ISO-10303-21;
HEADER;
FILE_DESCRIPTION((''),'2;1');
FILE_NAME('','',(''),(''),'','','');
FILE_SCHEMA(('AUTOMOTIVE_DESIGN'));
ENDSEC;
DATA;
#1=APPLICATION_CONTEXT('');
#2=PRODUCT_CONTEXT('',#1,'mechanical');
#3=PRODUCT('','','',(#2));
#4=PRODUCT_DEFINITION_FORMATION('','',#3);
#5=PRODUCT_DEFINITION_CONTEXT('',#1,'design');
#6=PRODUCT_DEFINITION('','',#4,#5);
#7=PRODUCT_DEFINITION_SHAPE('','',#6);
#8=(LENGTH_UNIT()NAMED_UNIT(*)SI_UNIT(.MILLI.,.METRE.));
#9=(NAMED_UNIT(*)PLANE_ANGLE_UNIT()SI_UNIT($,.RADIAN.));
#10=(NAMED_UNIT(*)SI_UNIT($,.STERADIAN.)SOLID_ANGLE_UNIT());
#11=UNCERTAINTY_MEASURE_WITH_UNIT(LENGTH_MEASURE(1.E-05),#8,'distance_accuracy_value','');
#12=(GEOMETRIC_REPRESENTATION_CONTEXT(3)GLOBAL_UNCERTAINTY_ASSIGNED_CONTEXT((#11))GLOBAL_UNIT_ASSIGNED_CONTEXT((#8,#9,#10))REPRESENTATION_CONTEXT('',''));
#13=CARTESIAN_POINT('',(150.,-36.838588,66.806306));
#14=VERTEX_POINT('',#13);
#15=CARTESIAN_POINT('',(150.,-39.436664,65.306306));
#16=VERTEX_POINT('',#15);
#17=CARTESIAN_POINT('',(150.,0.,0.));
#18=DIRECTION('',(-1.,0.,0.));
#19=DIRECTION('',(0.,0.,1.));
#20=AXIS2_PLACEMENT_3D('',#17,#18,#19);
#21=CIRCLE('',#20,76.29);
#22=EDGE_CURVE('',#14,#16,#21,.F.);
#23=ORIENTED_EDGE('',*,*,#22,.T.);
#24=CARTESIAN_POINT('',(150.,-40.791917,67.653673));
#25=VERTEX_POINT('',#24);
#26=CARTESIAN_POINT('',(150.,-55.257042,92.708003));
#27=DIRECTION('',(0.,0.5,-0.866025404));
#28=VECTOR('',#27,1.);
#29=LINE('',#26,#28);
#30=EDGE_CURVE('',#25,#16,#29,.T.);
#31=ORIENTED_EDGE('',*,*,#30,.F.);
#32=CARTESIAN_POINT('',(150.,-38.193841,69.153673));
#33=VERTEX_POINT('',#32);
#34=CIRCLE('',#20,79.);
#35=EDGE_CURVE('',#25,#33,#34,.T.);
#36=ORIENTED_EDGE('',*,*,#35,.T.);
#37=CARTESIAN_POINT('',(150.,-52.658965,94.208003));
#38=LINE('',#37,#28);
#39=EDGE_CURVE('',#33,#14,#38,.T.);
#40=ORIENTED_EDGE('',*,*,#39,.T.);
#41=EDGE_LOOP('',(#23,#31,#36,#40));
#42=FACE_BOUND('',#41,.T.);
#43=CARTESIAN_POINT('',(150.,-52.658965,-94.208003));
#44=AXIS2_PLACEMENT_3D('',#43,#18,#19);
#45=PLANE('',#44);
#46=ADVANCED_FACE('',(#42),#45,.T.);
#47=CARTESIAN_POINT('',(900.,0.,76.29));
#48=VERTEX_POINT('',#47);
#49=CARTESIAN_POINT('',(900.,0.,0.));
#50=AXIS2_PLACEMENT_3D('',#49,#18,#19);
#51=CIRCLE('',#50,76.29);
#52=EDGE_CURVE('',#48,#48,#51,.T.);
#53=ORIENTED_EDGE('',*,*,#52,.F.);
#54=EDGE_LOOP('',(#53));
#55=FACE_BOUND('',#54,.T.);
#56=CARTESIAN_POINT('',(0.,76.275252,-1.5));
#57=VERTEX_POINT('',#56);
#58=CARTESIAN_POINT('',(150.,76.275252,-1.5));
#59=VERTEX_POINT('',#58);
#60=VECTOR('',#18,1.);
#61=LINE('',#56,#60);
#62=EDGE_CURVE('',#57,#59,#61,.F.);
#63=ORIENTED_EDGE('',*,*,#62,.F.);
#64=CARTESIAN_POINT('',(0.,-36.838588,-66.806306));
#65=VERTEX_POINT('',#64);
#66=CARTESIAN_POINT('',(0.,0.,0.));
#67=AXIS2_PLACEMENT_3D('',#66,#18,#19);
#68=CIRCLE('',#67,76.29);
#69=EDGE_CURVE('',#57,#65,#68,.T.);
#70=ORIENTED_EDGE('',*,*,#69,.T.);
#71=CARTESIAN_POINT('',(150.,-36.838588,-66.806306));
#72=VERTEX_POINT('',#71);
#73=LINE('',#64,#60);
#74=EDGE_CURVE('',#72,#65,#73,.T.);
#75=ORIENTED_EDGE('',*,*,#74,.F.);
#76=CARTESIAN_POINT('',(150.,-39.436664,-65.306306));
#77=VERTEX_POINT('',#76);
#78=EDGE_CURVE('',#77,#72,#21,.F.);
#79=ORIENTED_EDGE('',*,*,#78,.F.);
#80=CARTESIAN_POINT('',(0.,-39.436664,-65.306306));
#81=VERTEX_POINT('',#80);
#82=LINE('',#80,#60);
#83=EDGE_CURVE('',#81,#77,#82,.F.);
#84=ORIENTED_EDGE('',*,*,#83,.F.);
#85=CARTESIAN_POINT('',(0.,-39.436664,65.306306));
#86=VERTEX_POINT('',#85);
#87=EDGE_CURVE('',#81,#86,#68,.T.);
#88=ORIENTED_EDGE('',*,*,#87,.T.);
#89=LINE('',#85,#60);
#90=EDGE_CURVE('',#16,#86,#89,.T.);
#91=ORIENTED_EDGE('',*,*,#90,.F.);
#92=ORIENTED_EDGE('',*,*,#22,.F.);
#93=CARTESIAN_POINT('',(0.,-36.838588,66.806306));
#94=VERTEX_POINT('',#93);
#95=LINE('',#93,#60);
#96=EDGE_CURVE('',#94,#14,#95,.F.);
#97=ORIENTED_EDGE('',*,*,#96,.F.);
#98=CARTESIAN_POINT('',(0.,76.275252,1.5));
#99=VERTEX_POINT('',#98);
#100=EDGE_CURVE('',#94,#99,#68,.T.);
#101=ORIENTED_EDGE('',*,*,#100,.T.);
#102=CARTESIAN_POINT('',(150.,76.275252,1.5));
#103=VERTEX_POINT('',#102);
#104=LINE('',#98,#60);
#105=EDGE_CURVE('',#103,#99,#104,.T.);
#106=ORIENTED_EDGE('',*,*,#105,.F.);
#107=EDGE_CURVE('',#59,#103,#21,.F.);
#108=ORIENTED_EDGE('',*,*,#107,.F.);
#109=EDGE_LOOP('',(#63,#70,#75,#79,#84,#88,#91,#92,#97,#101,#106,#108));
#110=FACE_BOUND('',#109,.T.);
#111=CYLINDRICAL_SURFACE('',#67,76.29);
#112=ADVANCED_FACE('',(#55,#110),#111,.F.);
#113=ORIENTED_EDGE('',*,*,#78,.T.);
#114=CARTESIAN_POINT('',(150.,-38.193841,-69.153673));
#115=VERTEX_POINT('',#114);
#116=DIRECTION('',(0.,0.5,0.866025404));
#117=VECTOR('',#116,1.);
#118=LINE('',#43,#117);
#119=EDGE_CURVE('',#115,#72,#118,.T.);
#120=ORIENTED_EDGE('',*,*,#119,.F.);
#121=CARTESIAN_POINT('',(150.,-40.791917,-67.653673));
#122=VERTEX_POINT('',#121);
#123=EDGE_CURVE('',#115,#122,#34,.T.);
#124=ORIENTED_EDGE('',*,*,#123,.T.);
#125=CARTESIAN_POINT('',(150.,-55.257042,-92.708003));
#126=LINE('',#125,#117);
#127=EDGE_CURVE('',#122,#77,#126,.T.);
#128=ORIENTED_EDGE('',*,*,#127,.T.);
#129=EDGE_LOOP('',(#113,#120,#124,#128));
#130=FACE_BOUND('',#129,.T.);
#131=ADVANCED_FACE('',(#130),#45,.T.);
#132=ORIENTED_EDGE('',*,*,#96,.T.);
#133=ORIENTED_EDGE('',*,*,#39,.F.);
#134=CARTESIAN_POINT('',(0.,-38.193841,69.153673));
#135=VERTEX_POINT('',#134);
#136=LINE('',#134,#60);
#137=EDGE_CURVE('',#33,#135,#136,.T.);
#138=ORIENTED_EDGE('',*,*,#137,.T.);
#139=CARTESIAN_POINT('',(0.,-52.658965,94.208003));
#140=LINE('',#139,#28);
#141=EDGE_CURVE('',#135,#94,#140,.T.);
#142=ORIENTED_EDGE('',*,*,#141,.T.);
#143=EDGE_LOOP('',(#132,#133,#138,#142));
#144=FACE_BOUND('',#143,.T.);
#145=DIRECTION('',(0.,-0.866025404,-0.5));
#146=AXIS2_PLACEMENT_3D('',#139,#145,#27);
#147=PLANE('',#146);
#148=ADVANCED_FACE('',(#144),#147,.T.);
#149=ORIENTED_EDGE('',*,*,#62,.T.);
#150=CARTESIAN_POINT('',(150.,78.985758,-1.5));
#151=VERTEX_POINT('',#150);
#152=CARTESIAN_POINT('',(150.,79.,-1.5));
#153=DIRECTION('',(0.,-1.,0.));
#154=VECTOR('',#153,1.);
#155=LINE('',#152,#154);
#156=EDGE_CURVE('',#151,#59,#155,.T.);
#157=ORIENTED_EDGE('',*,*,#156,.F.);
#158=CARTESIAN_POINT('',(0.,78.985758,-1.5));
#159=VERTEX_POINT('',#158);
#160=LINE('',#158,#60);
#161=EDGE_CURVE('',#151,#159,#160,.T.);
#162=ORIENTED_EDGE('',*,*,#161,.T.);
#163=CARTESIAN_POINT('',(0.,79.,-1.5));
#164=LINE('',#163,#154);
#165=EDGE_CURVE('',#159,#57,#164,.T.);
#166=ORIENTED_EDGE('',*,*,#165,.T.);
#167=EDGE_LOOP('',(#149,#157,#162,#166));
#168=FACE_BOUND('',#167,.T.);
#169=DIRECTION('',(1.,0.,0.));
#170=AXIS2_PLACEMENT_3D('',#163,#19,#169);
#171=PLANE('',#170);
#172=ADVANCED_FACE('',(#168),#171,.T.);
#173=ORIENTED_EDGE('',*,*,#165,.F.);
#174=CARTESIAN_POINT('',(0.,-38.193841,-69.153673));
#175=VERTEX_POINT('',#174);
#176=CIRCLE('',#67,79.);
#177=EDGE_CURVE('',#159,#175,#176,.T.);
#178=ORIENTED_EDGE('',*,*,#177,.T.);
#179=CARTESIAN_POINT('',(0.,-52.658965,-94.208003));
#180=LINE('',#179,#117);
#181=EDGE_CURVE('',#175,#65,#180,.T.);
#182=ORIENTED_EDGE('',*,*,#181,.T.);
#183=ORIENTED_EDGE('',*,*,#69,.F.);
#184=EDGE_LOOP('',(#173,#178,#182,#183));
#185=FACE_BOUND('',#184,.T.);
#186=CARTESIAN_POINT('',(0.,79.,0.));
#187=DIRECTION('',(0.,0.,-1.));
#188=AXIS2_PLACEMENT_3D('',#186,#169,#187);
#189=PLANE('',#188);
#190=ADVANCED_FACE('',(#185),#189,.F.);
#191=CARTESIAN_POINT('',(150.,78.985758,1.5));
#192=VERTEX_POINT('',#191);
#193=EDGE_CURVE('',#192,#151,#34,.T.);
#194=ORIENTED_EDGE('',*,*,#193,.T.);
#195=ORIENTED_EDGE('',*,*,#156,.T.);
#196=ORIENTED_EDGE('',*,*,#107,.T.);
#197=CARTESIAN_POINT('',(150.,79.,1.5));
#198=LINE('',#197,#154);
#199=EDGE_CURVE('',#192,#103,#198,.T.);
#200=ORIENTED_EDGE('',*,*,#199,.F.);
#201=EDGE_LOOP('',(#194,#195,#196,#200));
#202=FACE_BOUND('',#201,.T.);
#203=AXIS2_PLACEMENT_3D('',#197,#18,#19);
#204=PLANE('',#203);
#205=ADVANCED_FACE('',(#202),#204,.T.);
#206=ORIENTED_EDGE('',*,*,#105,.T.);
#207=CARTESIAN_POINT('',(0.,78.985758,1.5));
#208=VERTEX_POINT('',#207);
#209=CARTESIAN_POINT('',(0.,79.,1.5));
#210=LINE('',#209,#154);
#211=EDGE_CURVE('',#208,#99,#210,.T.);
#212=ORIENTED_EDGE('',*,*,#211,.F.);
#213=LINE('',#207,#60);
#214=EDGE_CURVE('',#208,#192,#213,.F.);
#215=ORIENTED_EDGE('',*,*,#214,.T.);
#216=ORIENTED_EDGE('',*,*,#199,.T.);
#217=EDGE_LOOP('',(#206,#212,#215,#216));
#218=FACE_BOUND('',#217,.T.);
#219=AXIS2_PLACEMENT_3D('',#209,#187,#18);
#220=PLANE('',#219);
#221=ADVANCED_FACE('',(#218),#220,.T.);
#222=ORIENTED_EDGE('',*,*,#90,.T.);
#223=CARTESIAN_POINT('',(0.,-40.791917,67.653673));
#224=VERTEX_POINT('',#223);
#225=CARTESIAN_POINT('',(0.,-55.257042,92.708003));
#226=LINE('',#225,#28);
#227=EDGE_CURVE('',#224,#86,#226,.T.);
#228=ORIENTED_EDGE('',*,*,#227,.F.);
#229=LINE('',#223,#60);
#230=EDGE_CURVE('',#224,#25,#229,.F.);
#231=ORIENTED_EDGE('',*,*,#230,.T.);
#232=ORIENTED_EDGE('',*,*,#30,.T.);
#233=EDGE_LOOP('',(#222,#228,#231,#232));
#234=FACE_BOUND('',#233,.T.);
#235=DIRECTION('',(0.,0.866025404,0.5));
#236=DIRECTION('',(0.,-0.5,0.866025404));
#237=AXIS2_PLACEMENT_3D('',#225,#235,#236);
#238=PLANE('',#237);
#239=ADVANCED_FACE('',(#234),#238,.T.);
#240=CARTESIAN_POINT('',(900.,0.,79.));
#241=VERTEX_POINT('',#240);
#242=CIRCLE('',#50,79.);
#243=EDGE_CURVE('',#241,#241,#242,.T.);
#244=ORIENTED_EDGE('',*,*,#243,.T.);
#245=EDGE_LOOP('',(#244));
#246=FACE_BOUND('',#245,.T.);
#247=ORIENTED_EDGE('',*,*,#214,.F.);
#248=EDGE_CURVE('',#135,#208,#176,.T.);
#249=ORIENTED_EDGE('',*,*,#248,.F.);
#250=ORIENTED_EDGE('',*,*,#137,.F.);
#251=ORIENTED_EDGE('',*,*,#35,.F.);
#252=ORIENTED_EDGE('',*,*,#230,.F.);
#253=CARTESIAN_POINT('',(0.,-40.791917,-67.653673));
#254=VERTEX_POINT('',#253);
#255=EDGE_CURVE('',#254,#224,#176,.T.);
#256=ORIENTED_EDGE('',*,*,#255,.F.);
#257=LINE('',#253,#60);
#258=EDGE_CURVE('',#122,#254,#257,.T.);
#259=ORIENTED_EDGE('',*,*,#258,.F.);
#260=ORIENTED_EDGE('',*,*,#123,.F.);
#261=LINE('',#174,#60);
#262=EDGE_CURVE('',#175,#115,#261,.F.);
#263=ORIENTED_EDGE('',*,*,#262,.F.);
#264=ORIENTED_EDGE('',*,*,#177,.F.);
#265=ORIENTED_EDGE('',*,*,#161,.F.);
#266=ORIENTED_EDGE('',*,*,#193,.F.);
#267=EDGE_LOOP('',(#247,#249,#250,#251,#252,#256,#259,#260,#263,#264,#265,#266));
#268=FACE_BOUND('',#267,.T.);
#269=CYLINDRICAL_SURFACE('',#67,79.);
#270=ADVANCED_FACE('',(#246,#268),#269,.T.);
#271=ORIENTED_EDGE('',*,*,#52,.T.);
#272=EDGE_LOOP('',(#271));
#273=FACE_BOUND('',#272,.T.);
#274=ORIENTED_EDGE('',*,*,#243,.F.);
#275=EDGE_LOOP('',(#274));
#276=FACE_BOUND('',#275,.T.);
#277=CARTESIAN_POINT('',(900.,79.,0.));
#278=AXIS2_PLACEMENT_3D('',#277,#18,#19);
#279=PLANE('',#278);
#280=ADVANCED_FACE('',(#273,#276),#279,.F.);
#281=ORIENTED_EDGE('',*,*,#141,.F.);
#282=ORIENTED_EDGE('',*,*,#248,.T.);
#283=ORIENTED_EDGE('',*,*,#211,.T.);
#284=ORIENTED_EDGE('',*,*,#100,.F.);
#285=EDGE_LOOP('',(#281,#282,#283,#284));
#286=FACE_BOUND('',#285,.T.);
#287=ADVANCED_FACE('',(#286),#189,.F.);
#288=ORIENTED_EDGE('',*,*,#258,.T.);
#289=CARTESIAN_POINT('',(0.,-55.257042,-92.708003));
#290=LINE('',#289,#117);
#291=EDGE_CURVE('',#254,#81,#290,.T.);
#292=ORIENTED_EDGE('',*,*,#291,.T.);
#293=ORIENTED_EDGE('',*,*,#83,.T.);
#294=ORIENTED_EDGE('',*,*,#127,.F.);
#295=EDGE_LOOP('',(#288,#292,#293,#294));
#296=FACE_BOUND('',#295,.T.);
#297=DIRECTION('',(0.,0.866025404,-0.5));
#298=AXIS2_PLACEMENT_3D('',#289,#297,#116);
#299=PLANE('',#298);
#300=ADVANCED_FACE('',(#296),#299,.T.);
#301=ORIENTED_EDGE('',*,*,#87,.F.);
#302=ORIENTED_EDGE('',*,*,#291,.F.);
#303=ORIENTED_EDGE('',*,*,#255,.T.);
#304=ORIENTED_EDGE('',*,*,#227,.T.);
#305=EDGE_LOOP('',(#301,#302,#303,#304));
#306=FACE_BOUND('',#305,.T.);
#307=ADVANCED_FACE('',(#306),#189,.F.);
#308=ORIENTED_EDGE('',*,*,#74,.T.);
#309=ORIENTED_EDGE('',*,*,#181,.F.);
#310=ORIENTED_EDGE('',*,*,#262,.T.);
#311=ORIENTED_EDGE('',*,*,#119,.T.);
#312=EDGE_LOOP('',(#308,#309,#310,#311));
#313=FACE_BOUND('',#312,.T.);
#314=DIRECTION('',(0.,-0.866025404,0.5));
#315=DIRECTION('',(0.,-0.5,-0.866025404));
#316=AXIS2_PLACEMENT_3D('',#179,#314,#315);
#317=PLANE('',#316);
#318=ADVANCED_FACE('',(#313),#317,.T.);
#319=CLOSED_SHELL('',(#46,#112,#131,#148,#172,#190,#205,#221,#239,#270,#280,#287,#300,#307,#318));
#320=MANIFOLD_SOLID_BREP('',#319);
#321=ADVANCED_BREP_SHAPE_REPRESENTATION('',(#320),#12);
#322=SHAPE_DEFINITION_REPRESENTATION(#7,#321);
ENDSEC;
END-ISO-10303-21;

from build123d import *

# Parameters (mm, degrees)
ESQUISSE1_W                  = 900
ESQUISSE1_H                  = 2.71
ESQUISSE2_W                  = 150
ESQUISSE2_H                  = 3
ENL_V_MAT_EXTRU_1_DEPTH      = 907.907933585
R_P_TITION_CIRCULAIRE1_COUNT = 3
R_P_TITION_CIRCULAIRE1_ANGLE = 240


with BuildPart() as part:
    # Esquisse1 → Révolution1 (revolve)
    with BuildSketch(Plane.XY, mode=Mode.PRIVATE) as r_volution1_sk:
        with Locations((450, 77.645)):
            Rectangle(ESQUISSE1_W, ESQUISSE1_H)
    revolve(r_volution1_sk.sketch.rotate(Axis((0, 0, 0), (1, 0, 0)), 90), axis=Axis((0, 0, 0), (1, 0, 0)))

    # Esquisse2 → Enlèv. mat.-Extru.1 (cut, through all)
    with BuildSketch(Plane(origin=(0, 0, 0), x_dir=(1, 0, 0), z_dir=(0, 1, 0))):
        with Locations((75, 0)):
            Rectangle(ESQUISSE2_W, ESQUISSE2_H)
    enl_v_mat_extru_1 = extrude(amount=ENL_V_MAT_EXTRU_1_DEPTH, mode=Mode.SUBTRACT)

    # Répétition circulaire1: Enlèv. mat.-Extru.1 ×3 about axis
    r_p_tition_circulaire1_axis = Axis((0, 0, 0), (-1, 0, 0))
    for i in range(1, R_P_TITION_CIRCULAIRE1_COUNT):
        add(enl_v_mat_extru_1.rotate(r_p_tition_circulaire1_axis, i * R_P_TITION_CIRCULAIRE1_ANGLE / (R_P_TITION_CIRCULAIRE1_COUNT - 1)), mode=Mode.SUBTRACT)


solid = part.part
